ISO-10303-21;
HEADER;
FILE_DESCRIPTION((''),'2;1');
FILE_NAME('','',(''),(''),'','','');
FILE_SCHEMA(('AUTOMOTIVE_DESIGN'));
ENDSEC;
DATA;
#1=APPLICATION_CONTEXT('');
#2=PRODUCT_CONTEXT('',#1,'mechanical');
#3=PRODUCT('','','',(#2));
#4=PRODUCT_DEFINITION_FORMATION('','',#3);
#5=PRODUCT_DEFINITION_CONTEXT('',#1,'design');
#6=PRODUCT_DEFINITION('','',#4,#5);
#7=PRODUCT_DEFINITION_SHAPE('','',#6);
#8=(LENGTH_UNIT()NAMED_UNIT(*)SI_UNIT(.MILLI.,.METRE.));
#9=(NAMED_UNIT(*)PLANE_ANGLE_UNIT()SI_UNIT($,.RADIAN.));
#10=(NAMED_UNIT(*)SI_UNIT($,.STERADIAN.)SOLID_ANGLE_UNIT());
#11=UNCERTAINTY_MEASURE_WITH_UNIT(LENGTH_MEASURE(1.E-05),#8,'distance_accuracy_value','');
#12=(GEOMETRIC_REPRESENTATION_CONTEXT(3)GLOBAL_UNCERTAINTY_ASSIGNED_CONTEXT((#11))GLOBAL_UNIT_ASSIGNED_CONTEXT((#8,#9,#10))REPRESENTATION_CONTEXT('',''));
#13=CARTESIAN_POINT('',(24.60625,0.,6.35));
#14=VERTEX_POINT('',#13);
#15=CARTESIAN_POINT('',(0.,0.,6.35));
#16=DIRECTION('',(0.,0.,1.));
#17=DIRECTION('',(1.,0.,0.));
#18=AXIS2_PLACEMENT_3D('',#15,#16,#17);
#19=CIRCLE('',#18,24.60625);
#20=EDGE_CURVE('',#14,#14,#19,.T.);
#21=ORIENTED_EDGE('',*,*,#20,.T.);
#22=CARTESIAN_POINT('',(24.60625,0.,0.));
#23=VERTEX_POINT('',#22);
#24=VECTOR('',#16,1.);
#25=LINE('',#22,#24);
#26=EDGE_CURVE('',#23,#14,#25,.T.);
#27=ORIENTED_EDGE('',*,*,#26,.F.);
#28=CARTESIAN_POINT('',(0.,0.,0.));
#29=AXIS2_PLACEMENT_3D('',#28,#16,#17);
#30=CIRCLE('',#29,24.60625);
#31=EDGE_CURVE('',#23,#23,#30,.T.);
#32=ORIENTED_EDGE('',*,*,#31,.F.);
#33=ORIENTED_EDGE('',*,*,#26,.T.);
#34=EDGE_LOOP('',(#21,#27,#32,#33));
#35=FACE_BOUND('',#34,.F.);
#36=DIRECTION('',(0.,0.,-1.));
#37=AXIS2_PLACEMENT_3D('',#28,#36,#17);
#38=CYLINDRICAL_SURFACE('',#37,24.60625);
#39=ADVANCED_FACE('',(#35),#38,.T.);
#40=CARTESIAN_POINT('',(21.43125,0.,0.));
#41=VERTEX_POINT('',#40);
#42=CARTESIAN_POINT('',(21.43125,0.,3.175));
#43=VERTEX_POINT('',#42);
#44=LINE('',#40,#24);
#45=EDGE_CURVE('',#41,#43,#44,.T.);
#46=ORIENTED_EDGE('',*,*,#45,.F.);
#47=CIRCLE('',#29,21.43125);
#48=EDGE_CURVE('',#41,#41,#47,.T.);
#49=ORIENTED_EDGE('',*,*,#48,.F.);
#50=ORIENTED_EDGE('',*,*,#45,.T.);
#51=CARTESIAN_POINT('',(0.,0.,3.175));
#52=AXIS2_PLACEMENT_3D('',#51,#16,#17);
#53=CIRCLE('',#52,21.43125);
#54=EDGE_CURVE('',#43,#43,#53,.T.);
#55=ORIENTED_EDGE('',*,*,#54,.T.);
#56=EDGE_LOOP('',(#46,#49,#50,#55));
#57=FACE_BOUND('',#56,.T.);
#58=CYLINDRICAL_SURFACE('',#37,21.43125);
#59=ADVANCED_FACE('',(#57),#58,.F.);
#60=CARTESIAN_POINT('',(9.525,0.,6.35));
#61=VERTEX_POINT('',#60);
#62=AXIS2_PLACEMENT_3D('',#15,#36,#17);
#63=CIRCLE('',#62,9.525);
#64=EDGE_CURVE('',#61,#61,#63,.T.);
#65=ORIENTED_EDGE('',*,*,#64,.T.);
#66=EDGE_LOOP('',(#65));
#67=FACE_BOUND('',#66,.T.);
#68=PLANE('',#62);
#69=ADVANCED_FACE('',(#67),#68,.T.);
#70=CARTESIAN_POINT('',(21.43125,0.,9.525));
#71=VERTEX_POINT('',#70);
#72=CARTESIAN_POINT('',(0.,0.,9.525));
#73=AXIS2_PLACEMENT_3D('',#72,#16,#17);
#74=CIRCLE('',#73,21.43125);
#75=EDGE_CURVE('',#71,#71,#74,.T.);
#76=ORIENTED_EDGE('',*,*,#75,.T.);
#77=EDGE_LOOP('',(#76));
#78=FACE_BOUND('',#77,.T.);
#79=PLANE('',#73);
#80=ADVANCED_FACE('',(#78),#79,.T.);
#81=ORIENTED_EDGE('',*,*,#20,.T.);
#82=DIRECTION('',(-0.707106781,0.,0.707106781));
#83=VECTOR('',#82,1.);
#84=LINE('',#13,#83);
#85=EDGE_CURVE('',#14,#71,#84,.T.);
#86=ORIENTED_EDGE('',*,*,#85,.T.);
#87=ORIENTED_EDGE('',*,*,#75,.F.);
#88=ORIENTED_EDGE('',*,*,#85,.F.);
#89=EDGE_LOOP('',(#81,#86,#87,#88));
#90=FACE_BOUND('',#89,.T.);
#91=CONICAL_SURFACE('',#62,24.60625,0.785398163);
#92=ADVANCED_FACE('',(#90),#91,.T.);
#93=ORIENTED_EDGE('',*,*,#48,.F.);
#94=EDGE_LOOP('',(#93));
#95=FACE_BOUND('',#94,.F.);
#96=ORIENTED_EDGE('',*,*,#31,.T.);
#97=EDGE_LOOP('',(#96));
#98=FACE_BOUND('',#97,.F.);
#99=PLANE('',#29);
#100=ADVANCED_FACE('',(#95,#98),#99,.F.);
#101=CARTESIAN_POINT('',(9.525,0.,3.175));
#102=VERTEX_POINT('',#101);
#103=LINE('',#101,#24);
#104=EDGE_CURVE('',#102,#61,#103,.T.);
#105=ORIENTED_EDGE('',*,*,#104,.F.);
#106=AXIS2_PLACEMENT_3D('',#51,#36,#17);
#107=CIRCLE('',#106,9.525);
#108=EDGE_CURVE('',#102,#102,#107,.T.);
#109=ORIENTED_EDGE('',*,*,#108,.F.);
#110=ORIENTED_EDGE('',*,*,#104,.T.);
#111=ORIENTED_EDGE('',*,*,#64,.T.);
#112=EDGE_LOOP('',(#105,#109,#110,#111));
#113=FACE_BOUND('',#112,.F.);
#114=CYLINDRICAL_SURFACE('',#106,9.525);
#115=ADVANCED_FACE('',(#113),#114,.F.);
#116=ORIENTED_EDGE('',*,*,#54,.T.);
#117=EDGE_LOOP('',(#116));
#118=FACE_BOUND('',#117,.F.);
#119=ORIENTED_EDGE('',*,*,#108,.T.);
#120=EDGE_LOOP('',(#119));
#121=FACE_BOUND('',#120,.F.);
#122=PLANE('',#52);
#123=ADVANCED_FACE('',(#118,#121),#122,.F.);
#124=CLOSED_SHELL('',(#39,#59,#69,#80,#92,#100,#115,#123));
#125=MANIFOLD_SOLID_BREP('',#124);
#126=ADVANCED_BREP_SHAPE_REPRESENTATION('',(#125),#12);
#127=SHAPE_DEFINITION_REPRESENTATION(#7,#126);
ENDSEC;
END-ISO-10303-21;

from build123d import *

# Parameters (mm, degrees)
F0_R     = 24.60625
F1_DEPTH = 9.525
F2_R     = 21.43125
F3_DEPTH = 3.175
F4_R     = 9.525
F5_DEPTH = 3.175
F6_SIZE  = 3.175


with BuildPart() as f1:
    # F0 (on Top) → F1 (new body)
    with BuildSketch(Plane.XY):
        Circle(F0_R)
    extrude(amount=F1_DEPTH)

    # F2 (on face) → F3 (cut)
    with BuildSketch(Plane.XY):
        Circle(F2_R)
    extrude(amount=F3_DEPTH, mode=Mode.SUBTRACT)

    # F4 (on face) → F5 (cut)
    with BuildSketch(Plane(origin=(0, 0, 3.175), x_dir=(1, 0, 0), z_dir=(0, 0, -1))):
        Circle(F4_R)
    extrude(amount=-F5_DEPTH, mode=Mode.SUBTRACT)

    # F6
    f6_edges = [f1.edges().sort_by_distance(p)[0] for p in [
        (-24.60625, 0, 9.525),
    ]]
    chamfer(f6_edges, length=F6_SIZE)


solid = f1.part
